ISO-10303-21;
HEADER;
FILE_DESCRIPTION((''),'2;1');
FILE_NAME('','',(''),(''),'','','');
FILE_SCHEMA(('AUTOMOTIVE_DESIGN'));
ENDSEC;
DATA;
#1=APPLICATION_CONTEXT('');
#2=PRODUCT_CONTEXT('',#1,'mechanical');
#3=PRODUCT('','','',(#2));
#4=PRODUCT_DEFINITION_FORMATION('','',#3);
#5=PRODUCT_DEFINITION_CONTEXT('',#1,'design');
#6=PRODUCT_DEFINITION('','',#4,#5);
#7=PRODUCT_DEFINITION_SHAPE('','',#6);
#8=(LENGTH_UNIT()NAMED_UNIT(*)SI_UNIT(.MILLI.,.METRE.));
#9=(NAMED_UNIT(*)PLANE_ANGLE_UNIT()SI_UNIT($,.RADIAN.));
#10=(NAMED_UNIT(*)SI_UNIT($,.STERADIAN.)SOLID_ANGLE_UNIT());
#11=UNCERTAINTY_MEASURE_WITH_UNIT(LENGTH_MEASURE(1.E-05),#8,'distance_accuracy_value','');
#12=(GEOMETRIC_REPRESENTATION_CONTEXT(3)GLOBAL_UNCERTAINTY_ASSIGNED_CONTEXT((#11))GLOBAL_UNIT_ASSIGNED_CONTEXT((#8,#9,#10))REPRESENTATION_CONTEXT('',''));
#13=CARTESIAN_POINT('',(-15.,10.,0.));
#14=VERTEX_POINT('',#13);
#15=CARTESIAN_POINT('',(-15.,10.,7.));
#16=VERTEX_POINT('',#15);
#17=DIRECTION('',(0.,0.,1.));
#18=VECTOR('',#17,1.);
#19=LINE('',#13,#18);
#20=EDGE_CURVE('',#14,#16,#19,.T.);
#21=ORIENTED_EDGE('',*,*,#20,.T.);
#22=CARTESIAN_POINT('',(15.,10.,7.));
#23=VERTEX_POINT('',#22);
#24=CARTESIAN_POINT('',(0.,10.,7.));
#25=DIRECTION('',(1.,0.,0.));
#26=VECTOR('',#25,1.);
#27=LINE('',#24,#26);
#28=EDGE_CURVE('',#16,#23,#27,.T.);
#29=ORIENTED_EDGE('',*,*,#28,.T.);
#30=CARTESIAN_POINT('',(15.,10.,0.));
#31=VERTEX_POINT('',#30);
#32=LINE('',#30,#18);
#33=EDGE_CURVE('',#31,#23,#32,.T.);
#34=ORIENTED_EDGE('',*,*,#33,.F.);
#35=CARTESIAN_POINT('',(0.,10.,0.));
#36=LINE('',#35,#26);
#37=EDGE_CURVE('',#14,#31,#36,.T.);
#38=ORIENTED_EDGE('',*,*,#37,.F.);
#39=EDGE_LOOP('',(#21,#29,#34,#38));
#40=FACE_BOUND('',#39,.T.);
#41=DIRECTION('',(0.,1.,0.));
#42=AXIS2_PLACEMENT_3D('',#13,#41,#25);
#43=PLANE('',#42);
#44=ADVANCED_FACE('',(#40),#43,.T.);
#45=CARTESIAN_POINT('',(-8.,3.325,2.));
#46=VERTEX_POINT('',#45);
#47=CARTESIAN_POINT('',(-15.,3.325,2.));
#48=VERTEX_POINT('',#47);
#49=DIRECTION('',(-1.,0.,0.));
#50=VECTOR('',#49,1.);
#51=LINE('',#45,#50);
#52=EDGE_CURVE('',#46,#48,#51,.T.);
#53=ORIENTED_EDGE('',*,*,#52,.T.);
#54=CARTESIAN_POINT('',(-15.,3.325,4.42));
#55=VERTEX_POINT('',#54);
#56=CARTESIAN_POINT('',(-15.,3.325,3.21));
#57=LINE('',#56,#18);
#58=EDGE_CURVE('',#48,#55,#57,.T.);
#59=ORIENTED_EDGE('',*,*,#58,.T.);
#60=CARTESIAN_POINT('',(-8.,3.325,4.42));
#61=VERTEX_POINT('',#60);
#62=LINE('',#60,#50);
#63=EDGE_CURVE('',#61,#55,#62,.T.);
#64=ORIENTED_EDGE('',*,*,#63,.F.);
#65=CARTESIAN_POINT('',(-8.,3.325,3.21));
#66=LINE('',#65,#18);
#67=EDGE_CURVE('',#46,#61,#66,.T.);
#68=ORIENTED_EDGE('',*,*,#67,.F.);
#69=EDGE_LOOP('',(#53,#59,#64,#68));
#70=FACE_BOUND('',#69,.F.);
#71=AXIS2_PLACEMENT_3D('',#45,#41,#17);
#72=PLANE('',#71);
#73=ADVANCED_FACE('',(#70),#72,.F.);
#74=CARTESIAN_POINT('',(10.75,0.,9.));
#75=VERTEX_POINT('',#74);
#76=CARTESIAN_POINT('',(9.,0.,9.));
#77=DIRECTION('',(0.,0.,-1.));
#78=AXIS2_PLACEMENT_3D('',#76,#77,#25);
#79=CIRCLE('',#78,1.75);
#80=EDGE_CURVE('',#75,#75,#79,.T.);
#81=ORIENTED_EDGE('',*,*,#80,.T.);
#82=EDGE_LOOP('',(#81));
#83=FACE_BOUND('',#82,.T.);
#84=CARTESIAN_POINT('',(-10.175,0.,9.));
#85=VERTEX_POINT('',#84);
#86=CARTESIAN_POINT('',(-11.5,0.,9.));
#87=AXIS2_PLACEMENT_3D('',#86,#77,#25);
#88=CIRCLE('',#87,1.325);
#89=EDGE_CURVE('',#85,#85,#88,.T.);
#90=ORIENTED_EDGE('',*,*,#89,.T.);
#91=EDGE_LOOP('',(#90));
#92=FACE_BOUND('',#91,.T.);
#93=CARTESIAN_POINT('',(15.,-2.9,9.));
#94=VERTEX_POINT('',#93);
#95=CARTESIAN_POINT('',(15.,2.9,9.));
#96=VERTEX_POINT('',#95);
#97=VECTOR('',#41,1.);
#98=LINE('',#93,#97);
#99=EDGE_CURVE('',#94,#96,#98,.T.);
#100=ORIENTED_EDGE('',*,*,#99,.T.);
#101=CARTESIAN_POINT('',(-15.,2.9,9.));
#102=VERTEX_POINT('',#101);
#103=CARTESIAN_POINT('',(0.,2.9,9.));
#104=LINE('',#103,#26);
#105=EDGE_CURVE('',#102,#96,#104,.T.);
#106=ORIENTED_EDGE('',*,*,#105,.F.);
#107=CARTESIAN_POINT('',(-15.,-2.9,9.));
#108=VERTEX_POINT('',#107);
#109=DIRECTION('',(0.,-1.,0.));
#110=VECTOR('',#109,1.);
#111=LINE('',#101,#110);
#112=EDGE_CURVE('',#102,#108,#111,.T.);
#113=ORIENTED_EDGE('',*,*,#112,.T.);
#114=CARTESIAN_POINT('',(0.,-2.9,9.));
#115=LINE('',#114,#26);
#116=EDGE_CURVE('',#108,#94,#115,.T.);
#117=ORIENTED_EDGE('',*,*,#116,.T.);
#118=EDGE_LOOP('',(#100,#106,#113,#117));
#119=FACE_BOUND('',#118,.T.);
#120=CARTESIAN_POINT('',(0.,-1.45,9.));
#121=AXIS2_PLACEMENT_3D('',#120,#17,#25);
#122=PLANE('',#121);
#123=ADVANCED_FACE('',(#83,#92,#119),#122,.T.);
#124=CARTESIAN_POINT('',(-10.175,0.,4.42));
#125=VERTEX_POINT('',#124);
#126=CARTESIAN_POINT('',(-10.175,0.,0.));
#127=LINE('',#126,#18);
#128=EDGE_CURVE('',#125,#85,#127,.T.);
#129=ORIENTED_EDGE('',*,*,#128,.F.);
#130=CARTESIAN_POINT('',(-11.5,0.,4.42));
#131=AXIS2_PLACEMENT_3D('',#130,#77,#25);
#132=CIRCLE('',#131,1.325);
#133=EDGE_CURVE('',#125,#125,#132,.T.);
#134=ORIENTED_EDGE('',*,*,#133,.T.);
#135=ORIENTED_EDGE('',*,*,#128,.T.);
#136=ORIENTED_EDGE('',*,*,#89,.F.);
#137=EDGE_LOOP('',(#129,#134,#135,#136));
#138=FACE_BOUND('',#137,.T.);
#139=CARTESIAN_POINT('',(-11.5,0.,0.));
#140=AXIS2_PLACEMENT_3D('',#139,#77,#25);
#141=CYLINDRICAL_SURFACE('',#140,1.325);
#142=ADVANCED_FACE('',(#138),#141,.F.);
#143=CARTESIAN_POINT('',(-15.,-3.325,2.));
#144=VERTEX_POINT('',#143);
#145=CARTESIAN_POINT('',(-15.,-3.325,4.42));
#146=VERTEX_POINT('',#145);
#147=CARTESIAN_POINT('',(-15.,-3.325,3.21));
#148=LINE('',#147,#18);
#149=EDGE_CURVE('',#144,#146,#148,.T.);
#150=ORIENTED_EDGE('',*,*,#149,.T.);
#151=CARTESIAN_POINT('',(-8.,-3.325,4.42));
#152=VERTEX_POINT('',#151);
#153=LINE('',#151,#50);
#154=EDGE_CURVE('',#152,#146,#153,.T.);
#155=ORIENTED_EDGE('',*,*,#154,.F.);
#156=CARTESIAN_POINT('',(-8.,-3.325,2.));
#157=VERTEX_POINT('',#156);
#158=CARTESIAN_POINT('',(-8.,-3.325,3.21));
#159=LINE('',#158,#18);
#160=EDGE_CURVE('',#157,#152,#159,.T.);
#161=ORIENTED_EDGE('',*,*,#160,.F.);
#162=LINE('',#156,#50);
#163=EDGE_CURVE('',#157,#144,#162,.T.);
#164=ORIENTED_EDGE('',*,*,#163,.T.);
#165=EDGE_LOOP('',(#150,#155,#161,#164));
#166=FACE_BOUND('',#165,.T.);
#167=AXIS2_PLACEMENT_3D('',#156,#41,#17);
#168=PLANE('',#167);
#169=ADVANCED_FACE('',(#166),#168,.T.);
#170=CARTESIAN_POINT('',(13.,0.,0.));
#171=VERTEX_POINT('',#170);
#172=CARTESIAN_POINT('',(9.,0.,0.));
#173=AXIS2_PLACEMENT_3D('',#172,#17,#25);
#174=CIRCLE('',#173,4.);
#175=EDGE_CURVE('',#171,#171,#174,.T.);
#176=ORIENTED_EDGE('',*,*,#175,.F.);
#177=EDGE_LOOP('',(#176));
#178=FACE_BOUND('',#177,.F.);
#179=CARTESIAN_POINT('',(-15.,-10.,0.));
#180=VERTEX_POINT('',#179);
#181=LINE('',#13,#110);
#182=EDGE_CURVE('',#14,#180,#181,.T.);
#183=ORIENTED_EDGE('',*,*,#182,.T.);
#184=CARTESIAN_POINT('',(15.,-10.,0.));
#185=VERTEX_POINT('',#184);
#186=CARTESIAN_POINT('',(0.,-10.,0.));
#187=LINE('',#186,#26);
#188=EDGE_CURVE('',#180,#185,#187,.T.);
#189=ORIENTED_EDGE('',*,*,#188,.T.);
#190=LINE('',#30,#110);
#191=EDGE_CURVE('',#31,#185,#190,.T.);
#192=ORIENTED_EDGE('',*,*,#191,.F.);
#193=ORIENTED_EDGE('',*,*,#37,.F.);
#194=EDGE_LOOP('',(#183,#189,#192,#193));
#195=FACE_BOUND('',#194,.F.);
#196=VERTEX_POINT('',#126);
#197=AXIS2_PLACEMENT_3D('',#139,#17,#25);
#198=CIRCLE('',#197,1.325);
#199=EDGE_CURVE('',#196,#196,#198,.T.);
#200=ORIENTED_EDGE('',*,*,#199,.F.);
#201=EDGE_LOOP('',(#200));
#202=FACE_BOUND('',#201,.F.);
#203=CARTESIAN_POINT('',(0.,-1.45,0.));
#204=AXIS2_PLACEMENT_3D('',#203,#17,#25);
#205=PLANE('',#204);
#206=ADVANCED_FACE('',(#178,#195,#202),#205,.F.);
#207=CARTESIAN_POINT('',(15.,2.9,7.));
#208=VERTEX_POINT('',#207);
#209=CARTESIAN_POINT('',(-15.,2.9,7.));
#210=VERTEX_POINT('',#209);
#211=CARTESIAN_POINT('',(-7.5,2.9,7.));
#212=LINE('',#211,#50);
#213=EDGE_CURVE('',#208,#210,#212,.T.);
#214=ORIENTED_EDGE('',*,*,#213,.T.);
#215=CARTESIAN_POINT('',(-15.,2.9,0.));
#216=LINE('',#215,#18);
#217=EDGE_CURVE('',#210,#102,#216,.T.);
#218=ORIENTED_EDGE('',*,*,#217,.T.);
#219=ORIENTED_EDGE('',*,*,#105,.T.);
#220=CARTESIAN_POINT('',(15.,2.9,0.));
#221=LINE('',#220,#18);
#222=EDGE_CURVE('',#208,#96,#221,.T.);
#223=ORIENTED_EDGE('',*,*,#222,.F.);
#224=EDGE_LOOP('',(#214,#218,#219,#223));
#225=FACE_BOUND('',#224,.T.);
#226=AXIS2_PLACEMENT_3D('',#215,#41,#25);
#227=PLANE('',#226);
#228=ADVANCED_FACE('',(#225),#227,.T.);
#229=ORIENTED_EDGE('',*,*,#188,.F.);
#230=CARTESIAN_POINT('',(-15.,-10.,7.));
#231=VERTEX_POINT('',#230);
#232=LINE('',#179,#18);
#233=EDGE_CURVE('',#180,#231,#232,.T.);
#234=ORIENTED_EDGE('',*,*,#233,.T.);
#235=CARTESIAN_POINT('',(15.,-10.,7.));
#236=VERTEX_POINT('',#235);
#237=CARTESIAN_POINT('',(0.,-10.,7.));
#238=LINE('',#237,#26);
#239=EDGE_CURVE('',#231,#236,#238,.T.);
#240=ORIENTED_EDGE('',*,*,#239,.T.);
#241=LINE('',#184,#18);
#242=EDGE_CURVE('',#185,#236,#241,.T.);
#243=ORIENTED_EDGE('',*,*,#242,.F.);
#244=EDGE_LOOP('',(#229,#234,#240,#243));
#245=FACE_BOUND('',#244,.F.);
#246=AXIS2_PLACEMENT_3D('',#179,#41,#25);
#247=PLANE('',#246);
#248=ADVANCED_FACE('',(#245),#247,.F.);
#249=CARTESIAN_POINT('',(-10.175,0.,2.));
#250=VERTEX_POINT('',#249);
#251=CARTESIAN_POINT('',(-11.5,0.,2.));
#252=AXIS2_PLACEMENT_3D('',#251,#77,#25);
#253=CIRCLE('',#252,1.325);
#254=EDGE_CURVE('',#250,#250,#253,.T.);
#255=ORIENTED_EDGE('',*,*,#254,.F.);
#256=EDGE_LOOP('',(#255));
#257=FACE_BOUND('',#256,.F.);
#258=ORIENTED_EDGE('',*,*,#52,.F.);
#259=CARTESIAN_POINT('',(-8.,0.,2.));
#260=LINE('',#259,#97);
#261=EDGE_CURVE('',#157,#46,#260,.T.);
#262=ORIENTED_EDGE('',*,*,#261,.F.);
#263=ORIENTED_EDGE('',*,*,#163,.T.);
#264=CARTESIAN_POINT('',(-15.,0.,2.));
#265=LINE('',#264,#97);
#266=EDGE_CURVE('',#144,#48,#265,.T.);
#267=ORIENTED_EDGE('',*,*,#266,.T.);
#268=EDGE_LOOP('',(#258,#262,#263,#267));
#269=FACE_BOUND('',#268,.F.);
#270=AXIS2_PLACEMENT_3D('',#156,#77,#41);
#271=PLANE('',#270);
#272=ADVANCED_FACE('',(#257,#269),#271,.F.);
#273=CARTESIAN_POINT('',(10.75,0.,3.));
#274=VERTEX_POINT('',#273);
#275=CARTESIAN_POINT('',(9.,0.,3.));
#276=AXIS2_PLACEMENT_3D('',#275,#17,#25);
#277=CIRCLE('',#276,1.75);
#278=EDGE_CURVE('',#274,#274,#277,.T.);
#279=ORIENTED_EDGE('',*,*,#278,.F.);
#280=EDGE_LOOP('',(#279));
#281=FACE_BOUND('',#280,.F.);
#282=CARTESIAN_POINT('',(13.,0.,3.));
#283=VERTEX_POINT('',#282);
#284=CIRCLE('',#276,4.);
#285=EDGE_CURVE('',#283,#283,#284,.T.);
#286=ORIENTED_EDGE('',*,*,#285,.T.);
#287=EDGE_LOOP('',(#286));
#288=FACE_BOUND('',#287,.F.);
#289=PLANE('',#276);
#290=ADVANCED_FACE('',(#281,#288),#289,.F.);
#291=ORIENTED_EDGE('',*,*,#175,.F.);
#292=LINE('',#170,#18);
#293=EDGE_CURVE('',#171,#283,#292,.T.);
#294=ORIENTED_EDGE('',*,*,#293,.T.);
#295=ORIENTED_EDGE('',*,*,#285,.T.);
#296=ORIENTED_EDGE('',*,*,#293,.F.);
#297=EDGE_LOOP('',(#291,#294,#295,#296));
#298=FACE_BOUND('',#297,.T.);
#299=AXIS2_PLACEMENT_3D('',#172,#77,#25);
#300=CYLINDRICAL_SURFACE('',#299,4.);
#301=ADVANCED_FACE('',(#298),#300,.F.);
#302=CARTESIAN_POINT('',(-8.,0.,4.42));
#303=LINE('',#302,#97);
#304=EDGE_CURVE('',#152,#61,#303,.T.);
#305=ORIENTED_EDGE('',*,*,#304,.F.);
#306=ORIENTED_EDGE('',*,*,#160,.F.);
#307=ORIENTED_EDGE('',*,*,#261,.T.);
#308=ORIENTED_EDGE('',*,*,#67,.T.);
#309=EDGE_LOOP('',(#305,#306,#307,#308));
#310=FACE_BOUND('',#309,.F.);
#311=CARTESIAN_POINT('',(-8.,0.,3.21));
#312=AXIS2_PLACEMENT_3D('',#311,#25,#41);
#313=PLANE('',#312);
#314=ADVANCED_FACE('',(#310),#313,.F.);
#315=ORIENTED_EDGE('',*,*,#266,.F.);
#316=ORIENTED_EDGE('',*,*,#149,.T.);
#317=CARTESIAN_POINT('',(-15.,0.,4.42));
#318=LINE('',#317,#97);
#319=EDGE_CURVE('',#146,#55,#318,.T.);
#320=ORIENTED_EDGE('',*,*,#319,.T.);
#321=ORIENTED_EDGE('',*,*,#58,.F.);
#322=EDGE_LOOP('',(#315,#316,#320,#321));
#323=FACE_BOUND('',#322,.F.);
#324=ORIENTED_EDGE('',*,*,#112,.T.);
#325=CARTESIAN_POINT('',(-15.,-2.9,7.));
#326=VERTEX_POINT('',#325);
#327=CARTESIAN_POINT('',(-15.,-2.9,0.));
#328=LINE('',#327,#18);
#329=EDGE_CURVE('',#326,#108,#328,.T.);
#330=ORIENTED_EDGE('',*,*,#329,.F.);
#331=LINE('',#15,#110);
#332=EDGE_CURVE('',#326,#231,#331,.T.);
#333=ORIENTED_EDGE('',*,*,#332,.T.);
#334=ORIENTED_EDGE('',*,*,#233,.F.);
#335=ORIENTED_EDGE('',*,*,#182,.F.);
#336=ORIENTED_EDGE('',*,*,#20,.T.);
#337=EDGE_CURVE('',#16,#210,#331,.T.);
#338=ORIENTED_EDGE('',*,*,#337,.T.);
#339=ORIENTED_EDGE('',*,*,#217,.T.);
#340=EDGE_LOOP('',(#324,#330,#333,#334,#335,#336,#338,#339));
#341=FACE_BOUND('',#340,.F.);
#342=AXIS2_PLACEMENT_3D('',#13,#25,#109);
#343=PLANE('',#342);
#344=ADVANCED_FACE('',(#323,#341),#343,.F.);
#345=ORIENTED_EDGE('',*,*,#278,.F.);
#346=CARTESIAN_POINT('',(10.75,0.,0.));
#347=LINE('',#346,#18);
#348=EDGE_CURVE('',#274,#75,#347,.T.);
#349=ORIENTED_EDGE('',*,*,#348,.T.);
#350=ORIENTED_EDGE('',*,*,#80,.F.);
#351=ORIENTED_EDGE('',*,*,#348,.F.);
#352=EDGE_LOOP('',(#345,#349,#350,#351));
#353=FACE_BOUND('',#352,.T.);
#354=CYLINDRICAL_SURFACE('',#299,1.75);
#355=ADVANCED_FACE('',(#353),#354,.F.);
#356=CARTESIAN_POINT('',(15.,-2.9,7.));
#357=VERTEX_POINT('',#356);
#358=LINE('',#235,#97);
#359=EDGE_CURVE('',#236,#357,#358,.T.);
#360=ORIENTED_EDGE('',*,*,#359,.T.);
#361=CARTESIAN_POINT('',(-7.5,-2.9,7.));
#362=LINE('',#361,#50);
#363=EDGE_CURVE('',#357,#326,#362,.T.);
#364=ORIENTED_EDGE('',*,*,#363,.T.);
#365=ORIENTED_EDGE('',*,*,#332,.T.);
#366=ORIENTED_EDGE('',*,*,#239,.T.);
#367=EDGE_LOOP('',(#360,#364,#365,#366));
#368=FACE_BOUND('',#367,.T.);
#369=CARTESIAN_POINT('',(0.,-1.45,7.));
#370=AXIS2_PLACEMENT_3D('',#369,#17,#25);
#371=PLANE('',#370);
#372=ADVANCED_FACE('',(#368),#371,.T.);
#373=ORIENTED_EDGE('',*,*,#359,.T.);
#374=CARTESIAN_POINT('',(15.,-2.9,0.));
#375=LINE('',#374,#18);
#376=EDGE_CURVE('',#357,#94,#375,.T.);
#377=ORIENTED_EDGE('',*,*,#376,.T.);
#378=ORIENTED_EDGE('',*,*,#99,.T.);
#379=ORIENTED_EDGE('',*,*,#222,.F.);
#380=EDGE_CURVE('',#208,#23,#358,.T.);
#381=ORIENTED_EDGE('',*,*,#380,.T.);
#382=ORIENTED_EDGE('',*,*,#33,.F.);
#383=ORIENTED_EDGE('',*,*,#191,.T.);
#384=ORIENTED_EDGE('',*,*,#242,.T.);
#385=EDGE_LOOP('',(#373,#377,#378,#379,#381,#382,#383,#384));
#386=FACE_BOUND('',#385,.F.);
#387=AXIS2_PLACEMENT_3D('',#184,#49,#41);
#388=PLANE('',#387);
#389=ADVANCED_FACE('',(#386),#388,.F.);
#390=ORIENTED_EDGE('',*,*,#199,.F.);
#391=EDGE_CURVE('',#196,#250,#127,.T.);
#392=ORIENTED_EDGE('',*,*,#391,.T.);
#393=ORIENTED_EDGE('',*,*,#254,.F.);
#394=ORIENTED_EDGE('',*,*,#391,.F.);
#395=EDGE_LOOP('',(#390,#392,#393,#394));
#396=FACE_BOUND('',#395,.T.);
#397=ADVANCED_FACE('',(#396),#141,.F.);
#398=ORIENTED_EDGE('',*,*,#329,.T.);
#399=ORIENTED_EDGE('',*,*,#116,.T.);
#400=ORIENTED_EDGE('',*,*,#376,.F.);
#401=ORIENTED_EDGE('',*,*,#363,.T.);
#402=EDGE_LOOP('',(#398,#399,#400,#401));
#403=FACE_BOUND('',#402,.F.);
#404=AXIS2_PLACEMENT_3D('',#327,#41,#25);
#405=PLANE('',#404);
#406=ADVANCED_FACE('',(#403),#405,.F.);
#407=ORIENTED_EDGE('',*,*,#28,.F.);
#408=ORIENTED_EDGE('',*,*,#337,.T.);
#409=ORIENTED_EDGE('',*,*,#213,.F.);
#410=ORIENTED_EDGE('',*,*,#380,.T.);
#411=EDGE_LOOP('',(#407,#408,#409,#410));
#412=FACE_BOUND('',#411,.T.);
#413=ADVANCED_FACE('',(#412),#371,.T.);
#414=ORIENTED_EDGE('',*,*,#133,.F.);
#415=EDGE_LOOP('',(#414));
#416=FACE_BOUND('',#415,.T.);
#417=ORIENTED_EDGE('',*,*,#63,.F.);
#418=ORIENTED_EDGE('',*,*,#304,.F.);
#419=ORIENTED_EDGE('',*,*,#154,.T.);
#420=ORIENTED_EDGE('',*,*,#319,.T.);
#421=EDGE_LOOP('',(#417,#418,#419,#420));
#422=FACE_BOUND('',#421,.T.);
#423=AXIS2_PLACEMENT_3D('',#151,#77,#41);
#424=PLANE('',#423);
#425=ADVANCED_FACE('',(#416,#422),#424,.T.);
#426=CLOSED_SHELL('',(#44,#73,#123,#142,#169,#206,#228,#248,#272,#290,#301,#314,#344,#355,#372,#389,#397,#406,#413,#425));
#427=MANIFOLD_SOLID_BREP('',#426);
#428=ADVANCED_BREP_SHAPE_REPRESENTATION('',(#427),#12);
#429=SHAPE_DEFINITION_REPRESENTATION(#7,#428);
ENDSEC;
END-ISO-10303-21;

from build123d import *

# Parameters (mm, degrees)
F0_W     = 30
F0_H     = 2.9
F0_H_2   = 7.1
F1_DEPTH = 7
F2_DEPTH = 9
F3_R     = 1.75
F4_DEPTH = 10
F3_R_2   = 4
F5_DEPTH = 3
F7_START = -8
F6_W     = 6.65
F6_H     = 2.42
F7_DEPTH = 7
F8_R     = 1.325
F9_DEPTH = 25


with BuildPart() as f1:
    # F0 (on Top) → F1 (new body)
    with BuildSketch(Plane.XY):
        with Locations((0, -1.45)):
            Rectangle(F0_W, F0_H)
        with Locations((0, -6.45)):
            Rectangle(F0_W, F0_H_2)
        with Locations((0, 6.45)):
            Rectangle(F0_W, F0_H_2)
        with Locations((0, 1.45)):
            Rectangle(F0_W, F0_H)
    extrude(amount=F1_DEPTH)

    # F0 (on Top) → F2 (join)
    with BuildSketch(Plane.XY):
        with Locations((0, -1.45)):
            Rectangle(F0_W, F0_H)
        with Locations((0, 1.45)):
            Rectangle(F0_W, F0_H)
    extrude(amount=F2_DEPTH)

    # F3 (on Top) → F4 (cut)
    with BuildSketch(Plane.XY):
        with Locations((9, 0)):
            Circle(F3_R)
    extrude(amount=F4_DEPTH, mode=Mode.SUBTRACT)

    # F3 (on Top) → F5 (cut)
    with BuildSketch(Plane.XY):
        with Locations((9, 0)):
            Circle(F3_R_2)
        with Locations((9, 0)):
            Circle(F3_R, mode=Mode.SUBTRACT)
    extrude(amount=F5_DEPTH, mode=Mode.SUBTRACT)

    # F6 (on Right) → F7 (cut)
    with BuildSketch(Plane.YZ.offset(F7_START)):
        with Locations((0, 3.21)):
            Rectangle(F6_W, F6_H)
    extrude(amount=-F7_DEPTH, mode=Mode.SUBTRACT)

    # F8 (on Top) → F9 (cut)
    with BuildSketch(Plane.XY):
        with Locations((-11.5, 0)):
            Circle(F8_R)
    extrude(amount=F9_DEPTH, mode=Mode.SUBTRACT)


solid = f1.part
